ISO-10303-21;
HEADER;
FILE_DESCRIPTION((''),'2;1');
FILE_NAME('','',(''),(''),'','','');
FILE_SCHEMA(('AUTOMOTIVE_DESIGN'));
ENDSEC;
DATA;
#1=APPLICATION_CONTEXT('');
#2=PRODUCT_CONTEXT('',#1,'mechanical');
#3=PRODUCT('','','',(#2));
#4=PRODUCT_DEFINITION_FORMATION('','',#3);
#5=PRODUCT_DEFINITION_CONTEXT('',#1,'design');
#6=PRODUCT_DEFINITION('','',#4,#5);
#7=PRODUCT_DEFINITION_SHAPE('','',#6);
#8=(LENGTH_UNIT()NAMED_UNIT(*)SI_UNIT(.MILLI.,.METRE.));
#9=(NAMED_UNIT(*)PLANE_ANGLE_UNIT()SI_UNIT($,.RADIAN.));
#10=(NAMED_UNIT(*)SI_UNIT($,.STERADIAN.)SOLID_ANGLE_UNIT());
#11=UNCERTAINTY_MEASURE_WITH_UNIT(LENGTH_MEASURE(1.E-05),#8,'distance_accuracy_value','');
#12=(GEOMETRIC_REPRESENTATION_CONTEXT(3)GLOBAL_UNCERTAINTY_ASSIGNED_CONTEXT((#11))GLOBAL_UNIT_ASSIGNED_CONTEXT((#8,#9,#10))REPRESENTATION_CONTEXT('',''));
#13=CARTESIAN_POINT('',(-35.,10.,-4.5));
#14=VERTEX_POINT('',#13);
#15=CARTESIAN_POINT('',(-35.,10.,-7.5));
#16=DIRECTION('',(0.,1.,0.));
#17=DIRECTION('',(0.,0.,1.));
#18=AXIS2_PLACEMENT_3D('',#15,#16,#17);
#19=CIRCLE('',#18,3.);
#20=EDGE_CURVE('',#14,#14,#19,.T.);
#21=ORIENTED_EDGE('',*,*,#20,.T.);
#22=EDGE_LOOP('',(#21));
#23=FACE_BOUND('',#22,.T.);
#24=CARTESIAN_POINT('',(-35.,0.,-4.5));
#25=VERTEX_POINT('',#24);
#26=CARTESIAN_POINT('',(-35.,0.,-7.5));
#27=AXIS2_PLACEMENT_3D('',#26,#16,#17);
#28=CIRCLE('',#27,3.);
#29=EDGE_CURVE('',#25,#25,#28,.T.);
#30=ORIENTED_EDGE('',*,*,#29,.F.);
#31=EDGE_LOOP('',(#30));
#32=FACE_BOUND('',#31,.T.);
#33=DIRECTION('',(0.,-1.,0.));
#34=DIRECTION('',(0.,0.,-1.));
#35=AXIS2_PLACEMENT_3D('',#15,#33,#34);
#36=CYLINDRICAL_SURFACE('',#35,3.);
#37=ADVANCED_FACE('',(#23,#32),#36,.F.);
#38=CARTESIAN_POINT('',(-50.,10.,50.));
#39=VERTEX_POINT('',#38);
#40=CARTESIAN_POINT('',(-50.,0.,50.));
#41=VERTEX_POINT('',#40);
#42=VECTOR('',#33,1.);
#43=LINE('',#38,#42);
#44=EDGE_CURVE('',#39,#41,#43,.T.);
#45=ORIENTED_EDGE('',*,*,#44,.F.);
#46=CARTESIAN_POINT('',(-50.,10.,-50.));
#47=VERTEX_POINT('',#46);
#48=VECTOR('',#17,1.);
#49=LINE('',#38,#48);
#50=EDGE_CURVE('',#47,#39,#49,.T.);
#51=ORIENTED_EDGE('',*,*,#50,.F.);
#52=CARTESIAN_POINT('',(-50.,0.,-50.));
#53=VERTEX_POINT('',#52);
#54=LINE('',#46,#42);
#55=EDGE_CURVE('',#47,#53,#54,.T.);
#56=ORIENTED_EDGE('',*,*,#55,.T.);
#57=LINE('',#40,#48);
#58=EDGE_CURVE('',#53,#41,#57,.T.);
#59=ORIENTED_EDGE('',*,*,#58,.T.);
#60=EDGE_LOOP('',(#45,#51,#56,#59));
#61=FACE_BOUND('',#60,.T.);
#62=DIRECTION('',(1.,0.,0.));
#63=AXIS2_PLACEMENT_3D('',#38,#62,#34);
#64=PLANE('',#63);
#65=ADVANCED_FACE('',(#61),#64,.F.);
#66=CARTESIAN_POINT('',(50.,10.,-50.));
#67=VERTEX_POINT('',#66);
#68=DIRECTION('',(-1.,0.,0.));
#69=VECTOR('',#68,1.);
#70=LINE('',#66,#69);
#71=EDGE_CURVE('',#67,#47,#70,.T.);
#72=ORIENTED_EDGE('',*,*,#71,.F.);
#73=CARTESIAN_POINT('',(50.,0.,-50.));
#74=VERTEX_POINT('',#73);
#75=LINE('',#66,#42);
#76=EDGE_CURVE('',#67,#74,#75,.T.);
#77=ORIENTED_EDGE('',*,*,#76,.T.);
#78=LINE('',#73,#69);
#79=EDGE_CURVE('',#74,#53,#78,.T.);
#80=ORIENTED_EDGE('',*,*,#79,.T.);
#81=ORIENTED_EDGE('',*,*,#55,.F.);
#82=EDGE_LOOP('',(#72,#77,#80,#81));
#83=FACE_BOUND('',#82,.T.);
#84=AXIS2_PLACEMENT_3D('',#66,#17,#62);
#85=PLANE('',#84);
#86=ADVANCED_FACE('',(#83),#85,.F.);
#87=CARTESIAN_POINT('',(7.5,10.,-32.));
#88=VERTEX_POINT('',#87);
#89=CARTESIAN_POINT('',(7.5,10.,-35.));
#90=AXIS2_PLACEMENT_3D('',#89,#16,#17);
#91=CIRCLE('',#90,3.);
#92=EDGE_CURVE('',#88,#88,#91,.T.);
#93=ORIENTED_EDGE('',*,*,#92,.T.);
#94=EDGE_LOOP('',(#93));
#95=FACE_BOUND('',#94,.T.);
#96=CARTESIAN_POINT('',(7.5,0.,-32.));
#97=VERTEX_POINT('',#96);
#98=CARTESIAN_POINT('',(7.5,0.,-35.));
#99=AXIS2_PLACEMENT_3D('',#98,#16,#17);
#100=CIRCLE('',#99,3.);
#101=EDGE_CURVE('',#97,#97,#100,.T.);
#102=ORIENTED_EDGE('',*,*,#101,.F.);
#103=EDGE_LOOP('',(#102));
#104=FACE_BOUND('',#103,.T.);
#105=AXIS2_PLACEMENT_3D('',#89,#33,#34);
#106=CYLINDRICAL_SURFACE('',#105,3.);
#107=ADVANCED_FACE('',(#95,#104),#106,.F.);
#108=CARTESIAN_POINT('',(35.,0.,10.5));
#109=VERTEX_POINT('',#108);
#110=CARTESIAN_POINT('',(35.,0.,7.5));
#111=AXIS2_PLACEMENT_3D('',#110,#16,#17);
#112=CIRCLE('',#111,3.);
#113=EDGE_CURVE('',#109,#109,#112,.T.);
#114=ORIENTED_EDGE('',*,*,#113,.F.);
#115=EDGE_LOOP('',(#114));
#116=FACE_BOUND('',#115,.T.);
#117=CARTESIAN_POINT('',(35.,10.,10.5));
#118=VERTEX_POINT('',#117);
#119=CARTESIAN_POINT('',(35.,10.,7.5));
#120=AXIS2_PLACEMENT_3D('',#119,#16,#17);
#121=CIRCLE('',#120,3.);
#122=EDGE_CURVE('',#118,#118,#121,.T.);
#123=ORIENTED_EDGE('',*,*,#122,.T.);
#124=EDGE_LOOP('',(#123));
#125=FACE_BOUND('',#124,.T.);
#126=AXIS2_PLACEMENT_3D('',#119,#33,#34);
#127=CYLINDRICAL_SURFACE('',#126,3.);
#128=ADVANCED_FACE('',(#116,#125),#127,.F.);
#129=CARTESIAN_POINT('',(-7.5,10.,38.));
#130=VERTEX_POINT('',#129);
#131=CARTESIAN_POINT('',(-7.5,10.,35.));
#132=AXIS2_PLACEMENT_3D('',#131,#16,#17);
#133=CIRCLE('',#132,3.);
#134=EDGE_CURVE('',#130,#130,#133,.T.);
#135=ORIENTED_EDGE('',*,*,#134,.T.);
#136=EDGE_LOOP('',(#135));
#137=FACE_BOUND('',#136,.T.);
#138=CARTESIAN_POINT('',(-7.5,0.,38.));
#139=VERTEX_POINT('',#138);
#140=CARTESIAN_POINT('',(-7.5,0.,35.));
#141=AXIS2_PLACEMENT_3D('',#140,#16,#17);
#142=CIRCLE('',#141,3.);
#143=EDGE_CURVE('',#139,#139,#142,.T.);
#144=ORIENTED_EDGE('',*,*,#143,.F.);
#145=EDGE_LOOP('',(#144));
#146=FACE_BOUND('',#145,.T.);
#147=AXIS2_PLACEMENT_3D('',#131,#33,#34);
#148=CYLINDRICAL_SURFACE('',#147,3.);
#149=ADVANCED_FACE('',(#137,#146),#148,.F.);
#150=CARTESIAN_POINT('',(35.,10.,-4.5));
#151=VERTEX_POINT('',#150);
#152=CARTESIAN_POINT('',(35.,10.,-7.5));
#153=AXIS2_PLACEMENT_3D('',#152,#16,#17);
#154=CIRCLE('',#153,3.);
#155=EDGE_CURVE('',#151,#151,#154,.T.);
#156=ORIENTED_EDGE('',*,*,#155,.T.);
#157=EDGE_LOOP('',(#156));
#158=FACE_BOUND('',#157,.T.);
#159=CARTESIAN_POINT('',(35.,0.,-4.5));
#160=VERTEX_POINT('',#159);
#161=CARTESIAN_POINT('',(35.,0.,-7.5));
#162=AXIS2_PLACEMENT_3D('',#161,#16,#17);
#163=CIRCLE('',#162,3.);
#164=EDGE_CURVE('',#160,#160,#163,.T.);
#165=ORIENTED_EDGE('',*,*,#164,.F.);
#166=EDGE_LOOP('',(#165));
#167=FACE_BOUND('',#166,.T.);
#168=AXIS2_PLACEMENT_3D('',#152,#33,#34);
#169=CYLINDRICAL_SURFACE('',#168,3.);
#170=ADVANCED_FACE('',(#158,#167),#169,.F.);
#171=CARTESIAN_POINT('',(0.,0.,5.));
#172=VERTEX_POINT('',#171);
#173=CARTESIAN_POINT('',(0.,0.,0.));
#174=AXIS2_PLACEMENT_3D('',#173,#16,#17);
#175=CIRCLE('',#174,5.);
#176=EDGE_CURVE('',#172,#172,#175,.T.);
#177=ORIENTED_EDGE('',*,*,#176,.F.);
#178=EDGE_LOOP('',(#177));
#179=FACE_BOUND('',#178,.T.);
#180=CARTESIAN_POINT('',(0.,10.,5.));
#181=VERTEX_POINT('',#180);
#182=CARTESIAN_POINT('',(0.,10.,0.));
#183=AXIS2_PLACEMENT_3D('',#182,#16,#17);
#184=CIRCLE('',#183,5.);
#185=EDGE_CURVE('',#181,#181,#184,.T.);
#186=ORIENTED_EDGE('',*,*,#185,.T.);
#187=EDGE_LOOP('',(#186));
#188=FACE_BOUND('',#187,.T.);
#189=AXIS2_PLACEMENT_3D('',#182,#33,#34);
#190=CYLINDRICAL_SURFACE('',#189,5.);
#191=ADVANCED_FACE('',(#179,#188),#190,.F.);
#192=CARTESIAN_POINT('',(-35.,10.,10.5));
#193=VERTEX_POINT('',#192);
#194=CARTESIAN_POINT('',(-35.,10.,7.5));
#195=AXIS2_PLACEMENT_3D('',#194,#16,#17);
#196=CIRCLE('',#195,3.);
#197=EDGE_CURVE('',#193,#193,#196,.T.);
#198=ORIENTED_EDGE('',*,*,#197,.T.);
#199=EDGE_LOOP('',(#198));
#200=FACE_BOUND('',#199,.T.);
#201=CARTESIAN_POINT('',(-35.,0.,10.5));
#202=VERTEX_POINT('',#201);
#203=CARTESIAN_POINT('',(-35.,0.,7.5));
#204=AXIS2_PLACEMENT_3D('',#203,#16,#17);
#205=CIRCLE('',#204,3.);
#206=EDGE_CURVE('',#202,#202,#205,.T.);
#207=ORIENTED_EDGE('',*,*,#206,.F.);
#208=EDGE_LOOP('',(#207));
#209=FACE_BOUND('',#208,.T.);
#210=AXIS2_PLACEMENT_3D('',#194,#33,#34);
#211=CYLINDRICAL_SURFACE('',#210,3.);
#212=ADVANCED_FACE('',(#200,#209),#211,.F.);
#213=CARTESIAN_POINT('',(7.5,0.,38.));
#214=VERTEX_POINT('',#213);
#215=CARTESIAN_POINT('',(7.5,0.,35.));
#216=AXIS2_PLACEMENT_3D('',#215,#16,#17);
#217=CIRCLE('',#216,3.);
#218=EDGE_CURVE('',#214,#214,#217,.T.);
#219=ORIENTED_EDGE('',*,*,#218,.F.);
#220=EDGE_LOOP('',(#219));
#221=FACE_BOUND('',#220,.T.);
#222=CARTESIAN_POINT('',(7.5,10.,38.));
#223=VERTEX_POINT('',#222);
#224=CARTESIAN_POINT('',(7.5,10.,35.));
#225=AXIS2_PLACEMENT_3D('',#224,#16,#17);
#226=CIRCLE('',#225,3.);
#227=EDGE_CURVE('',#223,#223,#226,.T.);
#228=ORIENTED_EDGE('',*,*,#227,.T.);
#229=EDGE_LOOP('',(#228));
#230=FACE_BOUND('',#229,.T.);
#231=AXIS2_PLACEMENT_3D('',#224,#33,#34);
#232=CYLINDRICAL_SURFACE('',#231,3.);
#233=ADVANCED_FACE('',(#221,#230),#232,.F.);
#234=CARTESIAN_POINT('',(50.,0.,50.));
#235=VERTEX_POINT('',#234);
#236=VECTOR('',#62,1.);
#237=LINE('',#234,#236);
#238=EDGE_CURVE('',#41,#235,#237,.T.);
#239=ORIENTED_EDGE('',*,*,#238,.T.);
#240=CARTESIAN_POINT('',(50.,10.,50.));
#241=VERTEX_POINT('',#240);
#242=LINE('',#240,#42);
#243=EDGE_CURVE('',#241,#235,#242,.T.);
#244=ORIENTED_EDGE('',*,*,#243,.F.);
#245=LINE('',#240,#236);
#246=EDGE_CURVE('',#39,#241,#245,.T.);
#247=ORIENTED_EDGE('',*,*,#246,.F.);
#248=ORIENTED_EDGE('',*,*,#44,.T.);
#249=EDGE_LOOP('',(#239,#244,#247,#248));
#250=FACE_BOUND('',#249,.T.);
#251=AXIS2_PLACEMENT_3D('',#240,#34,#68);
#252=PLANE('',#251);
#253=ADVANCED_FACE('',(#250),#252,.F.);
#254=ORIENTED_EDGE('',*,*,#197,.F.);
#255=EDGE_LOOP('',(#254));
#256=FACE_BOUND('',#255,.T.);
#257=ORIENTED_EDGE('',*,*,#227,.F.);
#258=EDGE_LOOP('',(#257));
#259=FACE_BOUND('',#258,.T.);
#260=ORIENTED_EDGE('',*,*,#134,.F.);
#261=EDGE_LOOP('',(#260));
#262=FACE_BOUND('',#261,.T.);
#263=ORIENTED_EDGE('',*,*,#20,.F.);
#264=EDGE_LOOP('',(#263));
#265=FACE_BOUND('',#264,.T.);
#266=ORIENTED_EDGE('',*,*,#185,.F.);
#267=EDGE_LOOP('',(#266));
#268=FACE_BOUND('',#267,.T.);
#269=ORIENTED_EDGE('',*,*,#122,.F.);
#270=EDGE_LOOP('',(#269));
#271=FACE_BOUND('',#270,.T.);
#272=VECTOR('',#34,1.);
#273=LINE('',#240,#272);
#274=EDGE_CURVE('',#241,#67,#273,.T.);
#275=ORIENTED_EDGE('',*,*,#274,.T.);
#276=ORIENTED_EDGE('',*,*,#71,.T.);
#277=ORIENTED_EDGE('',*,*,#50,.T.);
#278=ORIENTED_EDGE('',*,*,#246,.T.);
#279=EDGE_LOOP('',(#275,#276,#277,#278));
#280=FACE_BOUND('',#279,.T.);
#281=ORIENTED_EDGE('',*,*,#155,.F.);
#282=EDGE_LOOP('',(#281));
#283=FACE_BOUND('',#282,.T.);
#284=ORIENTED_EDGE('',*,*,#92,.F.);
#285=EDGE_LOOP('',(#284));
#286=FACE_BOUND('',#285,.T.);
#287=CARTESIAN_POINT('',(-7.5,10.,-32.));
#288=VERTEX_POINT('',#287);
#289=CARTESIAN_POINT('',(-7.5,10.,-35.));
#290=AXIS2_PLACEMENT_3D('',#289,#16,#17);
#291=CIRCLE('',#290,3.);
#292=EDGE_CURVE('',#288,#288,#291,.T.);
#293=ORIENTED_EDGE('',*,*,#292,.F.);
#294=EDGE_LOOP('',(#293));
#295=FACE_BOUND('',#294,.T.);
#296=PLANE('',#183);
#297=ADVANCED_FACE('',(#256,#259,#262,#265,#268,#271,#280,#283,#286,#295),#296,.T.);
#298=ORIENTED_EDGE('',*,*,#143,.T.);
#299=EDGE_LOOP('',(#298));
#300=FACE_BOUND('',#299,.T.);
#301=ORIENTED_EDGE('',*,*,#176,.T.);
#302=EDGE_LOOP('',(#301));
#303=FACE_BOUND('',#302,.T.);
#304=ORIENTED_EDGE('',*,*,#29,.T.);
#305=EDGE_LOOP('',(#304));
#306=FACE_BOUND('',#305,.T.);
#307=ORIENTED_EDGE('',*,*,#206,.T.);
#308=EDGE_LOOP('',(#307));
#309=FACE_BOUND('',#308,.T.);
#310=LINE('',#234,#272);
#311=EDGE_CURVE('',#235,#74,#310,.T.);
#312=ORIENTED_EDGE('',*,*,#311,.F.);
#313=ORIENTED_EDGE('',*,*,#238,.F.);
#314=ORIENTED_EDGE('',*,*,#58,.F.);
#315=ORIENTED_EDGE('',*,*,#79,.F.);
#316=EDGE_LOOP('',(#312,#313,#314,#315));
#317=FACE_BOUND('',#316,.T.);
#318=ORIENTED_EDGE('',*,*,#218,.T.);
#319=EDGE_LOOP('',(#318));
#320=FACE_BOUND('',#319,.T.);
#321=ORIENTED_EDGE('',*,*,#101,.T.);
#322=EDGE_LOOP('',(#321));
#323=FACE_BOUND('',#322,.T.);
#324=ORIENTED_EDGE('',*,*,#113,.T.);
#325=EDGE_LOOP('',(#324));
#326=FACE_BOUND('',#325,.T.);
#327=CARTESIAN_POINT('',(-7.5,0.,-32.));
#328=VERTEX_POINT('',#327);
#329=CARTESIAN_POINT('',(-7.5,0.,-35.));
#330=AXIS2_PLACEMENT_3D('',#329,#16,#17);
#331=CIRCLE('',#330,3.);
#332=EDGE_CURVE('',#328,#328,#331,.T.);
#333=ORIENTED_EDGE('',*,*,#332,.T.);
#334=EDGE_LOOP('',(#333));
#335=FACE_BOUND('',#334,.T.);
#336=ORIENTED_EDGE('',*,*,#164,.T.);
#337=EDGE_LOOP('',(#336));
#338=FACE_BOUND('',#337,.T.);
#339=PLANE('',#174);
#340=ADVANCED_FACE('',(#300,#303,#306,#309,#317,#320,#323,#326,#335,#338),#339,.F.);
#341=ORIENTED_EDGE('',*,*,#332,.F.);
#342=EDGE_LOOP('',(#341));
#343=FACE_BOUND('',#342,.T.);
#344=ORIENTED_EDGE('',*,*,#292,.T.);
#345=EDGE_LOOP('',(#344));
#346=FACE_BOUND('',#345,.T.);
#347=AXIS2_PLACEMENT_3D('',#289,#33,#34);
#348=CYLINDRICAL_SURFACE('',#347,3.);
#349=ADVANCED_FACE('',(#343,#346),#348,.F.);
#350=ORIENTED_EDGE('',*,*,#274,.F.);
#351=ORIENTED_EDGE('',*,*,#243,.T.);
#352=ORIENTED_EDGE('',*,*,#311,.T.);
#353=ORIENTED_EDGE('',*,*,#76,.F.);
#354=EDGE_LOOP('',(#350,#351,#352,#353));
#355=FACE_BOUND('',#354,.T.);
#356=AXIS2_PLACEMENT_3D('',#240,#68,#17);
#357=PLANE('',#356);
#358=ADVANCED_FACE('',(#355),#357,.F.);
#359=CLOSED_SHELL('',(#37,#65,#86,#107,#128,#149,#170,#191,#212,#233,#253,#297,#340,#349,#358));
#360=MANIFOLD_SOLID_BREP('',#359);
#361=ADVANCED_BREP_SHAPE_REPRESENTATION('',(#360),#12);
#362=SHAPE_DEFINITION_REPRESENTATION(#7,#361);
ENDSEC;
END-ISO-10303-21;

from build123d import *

# Parameters (mm, degrees)
SKETCH1_W           = 100
SKETCH1_H           = 100
SKETCH1_R           = 5
SKETCH1_R_2         = 3
BOSS_EXTRUDE1_DEPTH = 10


with BuildPart() as part:
    # Sketch1 → Boss-Extrude1 (new body)
    with BuildSketch(Plane(origin=(0, 0, 0), x_dir=(1, 0, 0), z_dir=(0, 1, 0))):
        Rectangle(SKETCH1_W, SKETCH1_H)
        with Locations(Location((0, 0, 0), (0, 0, 270))):
            Circle(SKETCH1_R, mode=Mode.SUBTRACT)
        with Locations(Location((-7.5, 35, 0), (0, 0, 270))):
            Circle(SKETCH1_R_2, mode=Mode.SUBTRACT)
        with Locations(Location((7.5, 35, 0), (0, 0, 270))):
            Circle(SKETCH1_R_2, mode=Mode.SUBTRACT)
        with Locations(Location((35, 7.5, 0), (0, 0, 270))):
            Circle(SKETCH1_R_2, mode=Mode.SUBTRACT)
        with Locations(Location((35, -7.5, 0), (0, 0, 270))):
            Circle(SKETCH1_R_2, mode=Mode.SUBTRACT)
        with Locations(Location((7.5, -35, 0), (0, 0, 270))):
            Circle(SKETCH1_R_2, mode=Mode.SUBTRACT)
        with Locations(Location((-7.5, -35, 0), (0, 0, 270))):
            Circle(SKETCH1_R_2, mode=Mode.SUBTRACT)
        with Locations(Location((-35, -7.5, 0), (0, 0, 270))):
            Circle(SKETCH1_R_2, mode=Mode.SUBTRACT)
        with Locations(Location((-35, 7.5, 0), (0, 0, 270))):
            Circle(SKETCH1_R_2, mode=Mode.SUBTRACT)
    extrude(amount=BOSS_EXTRUDE1_DEPTH)


solid = part.part
